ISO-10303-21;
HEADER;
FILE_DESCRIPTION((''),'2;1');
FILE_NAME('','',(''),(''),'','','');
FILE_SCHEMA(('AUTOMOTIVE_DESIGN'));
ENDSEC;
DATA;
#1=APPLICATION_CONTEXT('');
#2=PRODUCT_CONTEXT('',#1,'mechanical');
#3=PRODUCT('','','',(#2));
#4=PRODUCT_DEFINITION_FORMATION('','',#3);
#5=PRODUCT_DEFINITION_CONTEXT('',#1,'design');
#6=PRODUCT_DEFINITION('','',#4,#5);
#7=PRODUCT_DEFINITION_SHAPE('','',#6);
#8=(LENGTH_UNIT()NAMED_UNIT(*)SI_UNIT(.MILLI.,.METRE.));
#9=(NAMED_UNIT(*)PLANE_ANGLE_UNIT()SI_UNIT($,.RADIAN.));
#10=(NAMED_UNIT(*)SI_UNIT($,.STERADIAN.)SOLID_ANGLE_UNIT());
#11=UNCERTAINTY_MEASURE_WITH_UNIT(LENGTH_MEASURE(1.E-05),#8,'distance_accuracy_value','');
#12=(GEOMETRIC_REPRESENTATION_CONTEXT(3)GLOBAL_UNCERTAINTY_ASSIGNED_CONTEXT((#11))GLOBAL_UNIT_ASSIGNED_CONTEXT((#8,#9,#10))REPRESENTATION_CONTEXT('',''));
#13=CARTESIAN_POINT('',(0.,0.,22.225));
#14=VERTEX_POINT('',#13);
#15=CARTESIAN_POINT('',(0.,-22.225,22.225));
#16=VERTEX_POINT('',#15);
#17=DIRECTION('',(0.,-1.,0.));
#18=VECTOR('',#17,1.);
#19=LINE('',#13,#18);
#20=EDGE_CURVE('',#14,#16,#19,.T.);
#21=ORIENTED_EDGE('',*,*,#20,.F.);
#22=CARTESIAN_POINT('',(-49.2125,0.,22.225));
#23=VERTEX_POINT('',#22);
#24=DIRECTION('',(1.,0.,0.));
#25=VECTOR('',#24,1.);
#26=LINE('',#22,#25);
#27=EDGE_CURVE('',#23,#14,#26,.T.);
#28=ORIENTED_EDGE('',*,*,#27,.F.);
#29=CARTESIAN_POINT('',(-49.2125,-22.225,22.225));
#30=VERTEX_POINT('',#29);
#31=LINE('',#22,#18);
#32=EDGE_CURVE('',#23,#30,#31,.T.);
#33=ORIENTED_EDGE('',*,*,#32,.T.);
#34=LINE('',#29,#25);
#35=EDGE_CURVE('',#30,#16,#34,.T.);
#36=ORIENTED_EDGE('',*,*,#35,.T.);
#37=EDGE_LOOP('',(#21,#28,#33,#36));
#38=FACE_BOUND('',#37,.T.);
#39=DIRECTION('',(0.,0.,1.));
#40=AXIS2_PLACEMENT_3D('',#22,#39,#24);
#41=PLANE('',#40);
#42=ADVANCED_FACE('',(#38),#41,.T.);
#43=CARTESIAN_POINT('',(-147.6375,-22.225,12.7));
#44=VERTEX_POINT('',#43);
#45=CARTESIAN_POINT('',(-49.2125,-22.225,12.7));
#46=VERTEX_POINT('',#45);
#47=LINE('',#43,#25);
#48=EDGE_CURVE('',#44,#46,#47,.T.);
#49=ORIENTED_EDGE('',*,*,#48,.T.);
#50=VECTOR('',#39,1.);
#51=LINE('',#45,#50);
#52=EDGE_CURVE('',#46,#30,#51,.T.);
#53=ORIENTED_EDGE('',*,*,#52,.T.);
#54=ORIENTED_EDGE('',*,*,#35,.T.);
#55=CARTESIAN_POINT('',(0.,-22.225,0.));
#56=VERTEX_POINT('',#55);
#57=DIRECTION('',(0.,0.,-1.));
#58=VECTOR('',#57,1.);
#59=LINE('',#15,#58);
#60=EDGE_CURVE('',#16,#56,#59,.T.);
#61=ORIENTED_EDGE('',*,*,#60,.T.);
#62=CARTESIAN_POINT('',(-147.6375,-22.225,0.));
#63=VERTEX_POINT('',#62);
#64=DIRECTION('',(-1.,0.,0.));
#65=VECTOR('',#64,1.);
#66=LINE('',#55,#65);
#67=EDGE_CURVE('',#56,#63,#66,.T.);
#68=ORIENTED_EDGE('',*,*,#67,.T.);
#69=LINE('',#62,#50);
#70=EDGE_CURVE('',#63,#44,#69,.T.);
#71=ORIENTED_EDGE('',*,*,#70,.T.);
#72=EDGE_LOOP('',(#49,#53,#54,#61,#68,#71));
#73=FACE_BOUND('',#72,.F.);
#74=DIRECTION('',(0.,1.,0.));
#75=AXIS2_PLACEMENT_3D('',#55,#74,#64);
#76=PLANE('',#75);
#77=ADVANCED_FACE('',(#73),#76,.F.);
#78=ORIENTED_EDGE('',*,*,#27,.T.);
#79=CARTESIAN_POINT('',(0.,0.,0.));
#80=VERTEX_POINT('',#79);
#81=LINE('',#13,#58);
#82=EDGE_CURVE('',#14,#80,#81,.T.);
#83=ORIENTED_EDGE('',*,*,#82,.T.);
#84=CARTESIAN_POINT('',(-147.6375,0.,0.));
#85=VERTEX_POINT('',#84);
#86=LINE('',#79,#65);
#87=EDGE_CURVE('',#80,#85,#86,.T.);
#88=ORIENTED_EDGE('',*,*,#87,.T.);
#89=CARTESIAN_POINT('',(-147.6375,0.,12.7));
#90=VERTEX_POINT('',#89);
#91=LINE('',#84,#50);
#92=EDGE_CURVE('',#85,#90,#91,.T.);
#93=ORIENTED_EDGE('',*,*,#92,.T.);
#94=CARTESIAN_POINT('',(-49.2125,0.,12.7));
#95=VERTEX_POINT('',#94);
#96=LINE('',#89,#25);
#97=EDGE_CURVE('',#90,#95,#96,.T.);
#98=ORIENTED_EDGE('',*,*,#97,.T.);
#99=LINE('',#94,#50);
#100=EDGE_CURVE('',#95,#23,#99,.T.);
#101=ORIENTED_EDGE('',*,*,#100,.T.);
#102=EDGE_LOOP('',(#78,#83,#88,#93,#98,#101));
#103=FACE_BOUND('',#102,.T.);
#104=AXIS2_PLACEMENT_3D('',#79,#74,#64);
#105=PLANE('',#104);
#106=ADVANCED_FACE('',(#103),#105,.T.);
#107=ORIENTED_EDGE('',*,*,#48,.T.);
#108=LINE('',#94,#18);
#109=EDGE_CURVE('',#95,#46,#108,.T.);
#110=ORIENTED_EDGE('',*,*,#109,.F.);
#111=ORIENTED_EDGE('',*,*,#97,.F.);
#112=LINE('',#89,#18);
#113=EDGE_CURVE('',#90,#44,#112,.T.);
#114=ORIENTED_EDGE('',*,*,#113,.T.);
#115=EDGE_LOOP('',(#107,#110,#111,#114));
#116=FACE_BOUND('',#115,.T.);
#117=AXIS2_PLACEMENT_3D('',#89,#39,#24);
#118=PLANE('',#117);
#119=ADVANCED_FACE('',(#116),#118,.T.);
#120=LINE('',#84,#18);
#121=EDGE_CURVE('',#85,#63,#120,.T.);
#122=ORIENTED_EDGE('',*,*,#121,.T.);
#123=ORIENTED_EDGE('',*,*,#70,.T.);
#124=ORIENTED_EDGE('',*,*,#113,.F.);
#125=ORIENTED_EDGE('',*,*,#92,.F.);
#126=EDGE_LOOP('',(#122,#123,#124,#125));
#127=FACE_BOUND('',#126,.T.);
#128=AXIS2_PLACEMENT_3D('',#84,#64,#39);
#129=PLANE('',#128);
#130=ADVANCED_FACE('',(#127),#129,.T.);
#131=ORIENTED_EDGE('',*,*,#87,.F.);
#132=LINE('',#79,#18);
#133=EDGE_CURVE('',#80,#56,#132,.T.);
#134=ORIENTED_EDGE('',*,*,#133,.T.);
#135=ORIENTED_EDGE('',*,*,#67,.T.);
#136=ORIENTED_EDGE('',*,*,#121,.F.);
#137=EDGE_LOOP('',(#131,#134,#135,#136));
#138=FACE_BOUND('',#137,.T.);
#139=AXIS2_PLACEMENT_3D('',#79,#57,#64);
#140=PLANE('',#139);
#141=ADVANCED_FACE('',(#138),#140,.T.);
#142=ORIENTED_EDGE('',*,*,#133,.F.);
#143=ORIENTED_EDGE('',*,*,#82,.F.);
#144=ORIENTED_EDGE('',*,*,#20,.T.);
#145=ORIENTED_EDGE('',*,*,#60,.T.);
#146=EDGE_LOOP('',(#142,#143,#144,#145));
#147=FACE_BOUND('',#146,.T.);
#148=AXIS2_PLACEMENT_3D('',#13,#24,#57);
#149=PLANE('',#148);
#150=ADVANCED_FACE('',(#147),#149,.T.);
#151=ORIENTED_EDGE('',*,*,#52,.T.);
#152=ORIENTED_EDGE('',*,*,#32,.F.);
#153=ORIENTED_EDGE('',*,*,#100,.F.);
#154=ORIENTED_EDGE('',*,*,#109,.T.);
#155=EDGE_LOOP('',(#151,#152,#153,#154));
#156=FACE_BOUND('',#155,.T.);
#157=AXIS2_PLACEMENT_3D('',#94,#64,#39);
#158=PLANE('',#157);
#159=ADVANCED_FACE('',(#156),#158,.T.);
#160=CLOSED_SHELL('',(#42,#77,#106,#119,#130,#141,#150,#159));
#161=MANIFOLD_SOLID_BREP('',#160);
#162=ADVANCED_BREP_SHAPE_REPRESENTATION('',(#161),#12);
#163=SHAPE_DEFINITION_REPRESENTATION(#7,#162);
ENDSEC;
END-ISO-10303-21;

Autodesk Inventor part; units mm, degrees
ref_plane "YZ Plane" through (0, 0, 0) normal (1, 0, 0) x (0, 1, 0)
ref_plane "XZ Plane" through (0, 0, 0) normal (0, 1, 0) x (-1, 0, 0)
ref_plane "XY Plane" through (0, 0, 0) normal (0, 0, 1) x (1, 0, 0)
sketch "Sketch1" plane through (0, 0, 0) normal (0, 1, 0) x (-1, 0, 0)
  line L0 (0, 0) -> (147.6375, 0)
  line L1 (147.6375, 0) -> (147.6375, 12.7)
  line L2 (147.6375, 12.7) -> (49.2125, 12.7)
  line L3 (49.2125, 12.7) -> (49.2125, 22.225)
  line L4 (49.2125, 22.225) -> (0, 22.225)
  line L5 (0, 22.225) -> (0, 0)
  dimension "d0" = 147.6375
  dimension "d1" = 98.425
  dimension "d2" = 22.225
  dimension "d3" = 12.7
extrude "Extrusion1" add sketch "Sketch1" against normal blind 22.225
properties part number "Key--B"
